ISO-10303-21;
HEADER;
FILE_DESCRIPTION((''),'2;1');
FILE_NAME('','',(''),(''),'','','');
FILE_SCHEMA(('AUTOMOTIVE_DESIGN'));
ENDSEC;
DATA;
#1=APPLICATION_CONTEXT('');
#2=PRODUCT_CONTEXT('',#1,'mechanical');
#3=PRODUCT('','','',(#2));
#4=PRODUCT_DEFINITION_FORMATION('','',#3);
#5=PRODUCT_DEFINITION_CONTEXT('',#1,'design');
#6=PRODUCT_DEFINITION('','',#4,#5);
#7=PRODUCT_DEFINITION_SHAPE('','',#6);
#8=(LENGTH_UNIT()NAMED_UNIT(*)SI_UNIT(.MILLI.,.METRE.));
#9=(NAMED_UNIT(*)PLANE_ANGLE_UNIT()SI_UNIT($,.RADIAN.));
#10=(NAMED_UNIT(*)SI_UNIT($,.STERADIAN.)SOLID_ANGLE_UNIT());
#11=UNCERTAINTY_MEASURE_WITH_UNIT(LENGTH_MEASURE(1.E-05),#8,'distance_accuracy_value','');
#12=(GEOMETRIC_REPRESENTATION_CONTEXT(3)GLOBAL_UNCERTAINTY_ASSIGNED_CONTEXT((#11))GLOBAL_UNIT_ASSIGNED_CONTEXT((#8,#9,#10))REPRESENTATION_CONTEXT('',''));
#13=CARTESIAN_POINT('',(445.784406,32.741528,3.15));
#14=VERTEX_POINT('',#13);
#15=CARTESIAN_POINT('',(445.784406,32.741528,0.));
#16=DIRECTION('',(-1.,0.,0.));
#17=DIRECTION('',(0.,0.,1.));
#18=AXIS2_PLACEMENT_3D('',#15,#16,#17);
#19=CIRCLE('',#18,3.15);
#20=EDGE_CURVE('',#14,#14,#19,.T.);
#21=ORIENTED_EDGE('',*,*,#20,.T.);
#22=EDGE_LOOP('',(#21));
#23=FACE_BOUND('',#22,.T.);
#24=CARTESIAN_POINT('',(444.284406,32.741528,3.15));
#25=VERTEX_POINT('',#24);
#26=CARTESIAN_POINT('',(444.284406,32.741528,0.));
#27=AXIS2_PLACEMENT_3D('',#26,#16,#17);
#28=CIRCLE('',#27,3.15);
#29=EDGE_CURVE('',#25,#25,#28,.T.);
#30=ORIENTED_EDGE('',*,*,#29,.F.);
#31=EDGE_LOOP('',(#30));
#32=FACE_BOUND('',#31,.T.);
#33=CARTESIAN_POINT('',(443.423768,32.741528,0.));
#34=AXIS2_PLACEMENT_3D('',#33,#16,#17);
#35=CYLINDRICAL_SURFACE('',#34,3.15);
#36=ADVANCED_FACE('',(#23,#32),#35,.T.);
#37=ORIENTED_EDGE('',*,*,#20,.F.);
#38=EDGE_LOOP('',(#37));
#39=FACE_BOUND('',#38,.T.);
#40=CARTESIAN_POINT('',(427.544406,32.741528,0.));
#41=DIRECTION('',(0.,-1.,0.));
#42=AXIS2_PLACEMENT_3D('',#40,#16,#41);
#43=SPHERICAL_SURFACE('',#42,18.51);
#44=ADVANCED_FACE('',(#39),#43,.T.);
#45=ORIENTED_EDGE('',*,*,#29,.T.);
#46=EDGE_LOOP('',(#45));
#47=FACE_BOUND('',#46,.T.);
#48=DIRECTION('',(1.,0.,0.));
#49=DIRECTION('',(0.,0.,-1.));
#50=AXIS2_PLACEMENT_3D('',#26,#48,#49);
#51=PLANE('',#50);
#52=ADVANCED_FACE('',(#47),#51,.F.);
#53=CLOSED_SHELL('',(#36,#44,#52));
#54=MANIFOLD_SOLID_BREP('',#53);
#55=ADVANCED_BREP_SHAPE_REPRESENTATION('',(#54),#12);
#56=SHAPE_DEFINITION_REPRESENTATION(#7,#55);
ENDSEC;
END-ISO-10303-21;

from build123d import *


with BuildPart() as part:
    # 草图2 → 旋转2 (revolve)
    with BuildSketch(Plane.XY, mode=Mode.PRIVATE) as revolve_2_sk:
        with BuildLine():
            Line((444.284406446, 32.74152775), (444.284406446, 35.89152775))
            Line((444.284406446, 35.89152775), (445.784406446, 35.89152775))
            ThreePointArc((445.784406446, 35.89152775), (445.986782919, 34.322302876), (446.054406446, 32.74152775))
            Line((446.054406446, 32.74152775), (444.284406446, 32.74152775))
        make_face()
    revolve(revolve_2_sk.sketch.rotate(Axis((443.423768357, 32.74152775, 0), (1, 0, 0)), 180), axis=Axis((443.423768357, 32.74152775, 0), (1, 0, 0)))  # turned: the seam where the file's is


solid = part.part
